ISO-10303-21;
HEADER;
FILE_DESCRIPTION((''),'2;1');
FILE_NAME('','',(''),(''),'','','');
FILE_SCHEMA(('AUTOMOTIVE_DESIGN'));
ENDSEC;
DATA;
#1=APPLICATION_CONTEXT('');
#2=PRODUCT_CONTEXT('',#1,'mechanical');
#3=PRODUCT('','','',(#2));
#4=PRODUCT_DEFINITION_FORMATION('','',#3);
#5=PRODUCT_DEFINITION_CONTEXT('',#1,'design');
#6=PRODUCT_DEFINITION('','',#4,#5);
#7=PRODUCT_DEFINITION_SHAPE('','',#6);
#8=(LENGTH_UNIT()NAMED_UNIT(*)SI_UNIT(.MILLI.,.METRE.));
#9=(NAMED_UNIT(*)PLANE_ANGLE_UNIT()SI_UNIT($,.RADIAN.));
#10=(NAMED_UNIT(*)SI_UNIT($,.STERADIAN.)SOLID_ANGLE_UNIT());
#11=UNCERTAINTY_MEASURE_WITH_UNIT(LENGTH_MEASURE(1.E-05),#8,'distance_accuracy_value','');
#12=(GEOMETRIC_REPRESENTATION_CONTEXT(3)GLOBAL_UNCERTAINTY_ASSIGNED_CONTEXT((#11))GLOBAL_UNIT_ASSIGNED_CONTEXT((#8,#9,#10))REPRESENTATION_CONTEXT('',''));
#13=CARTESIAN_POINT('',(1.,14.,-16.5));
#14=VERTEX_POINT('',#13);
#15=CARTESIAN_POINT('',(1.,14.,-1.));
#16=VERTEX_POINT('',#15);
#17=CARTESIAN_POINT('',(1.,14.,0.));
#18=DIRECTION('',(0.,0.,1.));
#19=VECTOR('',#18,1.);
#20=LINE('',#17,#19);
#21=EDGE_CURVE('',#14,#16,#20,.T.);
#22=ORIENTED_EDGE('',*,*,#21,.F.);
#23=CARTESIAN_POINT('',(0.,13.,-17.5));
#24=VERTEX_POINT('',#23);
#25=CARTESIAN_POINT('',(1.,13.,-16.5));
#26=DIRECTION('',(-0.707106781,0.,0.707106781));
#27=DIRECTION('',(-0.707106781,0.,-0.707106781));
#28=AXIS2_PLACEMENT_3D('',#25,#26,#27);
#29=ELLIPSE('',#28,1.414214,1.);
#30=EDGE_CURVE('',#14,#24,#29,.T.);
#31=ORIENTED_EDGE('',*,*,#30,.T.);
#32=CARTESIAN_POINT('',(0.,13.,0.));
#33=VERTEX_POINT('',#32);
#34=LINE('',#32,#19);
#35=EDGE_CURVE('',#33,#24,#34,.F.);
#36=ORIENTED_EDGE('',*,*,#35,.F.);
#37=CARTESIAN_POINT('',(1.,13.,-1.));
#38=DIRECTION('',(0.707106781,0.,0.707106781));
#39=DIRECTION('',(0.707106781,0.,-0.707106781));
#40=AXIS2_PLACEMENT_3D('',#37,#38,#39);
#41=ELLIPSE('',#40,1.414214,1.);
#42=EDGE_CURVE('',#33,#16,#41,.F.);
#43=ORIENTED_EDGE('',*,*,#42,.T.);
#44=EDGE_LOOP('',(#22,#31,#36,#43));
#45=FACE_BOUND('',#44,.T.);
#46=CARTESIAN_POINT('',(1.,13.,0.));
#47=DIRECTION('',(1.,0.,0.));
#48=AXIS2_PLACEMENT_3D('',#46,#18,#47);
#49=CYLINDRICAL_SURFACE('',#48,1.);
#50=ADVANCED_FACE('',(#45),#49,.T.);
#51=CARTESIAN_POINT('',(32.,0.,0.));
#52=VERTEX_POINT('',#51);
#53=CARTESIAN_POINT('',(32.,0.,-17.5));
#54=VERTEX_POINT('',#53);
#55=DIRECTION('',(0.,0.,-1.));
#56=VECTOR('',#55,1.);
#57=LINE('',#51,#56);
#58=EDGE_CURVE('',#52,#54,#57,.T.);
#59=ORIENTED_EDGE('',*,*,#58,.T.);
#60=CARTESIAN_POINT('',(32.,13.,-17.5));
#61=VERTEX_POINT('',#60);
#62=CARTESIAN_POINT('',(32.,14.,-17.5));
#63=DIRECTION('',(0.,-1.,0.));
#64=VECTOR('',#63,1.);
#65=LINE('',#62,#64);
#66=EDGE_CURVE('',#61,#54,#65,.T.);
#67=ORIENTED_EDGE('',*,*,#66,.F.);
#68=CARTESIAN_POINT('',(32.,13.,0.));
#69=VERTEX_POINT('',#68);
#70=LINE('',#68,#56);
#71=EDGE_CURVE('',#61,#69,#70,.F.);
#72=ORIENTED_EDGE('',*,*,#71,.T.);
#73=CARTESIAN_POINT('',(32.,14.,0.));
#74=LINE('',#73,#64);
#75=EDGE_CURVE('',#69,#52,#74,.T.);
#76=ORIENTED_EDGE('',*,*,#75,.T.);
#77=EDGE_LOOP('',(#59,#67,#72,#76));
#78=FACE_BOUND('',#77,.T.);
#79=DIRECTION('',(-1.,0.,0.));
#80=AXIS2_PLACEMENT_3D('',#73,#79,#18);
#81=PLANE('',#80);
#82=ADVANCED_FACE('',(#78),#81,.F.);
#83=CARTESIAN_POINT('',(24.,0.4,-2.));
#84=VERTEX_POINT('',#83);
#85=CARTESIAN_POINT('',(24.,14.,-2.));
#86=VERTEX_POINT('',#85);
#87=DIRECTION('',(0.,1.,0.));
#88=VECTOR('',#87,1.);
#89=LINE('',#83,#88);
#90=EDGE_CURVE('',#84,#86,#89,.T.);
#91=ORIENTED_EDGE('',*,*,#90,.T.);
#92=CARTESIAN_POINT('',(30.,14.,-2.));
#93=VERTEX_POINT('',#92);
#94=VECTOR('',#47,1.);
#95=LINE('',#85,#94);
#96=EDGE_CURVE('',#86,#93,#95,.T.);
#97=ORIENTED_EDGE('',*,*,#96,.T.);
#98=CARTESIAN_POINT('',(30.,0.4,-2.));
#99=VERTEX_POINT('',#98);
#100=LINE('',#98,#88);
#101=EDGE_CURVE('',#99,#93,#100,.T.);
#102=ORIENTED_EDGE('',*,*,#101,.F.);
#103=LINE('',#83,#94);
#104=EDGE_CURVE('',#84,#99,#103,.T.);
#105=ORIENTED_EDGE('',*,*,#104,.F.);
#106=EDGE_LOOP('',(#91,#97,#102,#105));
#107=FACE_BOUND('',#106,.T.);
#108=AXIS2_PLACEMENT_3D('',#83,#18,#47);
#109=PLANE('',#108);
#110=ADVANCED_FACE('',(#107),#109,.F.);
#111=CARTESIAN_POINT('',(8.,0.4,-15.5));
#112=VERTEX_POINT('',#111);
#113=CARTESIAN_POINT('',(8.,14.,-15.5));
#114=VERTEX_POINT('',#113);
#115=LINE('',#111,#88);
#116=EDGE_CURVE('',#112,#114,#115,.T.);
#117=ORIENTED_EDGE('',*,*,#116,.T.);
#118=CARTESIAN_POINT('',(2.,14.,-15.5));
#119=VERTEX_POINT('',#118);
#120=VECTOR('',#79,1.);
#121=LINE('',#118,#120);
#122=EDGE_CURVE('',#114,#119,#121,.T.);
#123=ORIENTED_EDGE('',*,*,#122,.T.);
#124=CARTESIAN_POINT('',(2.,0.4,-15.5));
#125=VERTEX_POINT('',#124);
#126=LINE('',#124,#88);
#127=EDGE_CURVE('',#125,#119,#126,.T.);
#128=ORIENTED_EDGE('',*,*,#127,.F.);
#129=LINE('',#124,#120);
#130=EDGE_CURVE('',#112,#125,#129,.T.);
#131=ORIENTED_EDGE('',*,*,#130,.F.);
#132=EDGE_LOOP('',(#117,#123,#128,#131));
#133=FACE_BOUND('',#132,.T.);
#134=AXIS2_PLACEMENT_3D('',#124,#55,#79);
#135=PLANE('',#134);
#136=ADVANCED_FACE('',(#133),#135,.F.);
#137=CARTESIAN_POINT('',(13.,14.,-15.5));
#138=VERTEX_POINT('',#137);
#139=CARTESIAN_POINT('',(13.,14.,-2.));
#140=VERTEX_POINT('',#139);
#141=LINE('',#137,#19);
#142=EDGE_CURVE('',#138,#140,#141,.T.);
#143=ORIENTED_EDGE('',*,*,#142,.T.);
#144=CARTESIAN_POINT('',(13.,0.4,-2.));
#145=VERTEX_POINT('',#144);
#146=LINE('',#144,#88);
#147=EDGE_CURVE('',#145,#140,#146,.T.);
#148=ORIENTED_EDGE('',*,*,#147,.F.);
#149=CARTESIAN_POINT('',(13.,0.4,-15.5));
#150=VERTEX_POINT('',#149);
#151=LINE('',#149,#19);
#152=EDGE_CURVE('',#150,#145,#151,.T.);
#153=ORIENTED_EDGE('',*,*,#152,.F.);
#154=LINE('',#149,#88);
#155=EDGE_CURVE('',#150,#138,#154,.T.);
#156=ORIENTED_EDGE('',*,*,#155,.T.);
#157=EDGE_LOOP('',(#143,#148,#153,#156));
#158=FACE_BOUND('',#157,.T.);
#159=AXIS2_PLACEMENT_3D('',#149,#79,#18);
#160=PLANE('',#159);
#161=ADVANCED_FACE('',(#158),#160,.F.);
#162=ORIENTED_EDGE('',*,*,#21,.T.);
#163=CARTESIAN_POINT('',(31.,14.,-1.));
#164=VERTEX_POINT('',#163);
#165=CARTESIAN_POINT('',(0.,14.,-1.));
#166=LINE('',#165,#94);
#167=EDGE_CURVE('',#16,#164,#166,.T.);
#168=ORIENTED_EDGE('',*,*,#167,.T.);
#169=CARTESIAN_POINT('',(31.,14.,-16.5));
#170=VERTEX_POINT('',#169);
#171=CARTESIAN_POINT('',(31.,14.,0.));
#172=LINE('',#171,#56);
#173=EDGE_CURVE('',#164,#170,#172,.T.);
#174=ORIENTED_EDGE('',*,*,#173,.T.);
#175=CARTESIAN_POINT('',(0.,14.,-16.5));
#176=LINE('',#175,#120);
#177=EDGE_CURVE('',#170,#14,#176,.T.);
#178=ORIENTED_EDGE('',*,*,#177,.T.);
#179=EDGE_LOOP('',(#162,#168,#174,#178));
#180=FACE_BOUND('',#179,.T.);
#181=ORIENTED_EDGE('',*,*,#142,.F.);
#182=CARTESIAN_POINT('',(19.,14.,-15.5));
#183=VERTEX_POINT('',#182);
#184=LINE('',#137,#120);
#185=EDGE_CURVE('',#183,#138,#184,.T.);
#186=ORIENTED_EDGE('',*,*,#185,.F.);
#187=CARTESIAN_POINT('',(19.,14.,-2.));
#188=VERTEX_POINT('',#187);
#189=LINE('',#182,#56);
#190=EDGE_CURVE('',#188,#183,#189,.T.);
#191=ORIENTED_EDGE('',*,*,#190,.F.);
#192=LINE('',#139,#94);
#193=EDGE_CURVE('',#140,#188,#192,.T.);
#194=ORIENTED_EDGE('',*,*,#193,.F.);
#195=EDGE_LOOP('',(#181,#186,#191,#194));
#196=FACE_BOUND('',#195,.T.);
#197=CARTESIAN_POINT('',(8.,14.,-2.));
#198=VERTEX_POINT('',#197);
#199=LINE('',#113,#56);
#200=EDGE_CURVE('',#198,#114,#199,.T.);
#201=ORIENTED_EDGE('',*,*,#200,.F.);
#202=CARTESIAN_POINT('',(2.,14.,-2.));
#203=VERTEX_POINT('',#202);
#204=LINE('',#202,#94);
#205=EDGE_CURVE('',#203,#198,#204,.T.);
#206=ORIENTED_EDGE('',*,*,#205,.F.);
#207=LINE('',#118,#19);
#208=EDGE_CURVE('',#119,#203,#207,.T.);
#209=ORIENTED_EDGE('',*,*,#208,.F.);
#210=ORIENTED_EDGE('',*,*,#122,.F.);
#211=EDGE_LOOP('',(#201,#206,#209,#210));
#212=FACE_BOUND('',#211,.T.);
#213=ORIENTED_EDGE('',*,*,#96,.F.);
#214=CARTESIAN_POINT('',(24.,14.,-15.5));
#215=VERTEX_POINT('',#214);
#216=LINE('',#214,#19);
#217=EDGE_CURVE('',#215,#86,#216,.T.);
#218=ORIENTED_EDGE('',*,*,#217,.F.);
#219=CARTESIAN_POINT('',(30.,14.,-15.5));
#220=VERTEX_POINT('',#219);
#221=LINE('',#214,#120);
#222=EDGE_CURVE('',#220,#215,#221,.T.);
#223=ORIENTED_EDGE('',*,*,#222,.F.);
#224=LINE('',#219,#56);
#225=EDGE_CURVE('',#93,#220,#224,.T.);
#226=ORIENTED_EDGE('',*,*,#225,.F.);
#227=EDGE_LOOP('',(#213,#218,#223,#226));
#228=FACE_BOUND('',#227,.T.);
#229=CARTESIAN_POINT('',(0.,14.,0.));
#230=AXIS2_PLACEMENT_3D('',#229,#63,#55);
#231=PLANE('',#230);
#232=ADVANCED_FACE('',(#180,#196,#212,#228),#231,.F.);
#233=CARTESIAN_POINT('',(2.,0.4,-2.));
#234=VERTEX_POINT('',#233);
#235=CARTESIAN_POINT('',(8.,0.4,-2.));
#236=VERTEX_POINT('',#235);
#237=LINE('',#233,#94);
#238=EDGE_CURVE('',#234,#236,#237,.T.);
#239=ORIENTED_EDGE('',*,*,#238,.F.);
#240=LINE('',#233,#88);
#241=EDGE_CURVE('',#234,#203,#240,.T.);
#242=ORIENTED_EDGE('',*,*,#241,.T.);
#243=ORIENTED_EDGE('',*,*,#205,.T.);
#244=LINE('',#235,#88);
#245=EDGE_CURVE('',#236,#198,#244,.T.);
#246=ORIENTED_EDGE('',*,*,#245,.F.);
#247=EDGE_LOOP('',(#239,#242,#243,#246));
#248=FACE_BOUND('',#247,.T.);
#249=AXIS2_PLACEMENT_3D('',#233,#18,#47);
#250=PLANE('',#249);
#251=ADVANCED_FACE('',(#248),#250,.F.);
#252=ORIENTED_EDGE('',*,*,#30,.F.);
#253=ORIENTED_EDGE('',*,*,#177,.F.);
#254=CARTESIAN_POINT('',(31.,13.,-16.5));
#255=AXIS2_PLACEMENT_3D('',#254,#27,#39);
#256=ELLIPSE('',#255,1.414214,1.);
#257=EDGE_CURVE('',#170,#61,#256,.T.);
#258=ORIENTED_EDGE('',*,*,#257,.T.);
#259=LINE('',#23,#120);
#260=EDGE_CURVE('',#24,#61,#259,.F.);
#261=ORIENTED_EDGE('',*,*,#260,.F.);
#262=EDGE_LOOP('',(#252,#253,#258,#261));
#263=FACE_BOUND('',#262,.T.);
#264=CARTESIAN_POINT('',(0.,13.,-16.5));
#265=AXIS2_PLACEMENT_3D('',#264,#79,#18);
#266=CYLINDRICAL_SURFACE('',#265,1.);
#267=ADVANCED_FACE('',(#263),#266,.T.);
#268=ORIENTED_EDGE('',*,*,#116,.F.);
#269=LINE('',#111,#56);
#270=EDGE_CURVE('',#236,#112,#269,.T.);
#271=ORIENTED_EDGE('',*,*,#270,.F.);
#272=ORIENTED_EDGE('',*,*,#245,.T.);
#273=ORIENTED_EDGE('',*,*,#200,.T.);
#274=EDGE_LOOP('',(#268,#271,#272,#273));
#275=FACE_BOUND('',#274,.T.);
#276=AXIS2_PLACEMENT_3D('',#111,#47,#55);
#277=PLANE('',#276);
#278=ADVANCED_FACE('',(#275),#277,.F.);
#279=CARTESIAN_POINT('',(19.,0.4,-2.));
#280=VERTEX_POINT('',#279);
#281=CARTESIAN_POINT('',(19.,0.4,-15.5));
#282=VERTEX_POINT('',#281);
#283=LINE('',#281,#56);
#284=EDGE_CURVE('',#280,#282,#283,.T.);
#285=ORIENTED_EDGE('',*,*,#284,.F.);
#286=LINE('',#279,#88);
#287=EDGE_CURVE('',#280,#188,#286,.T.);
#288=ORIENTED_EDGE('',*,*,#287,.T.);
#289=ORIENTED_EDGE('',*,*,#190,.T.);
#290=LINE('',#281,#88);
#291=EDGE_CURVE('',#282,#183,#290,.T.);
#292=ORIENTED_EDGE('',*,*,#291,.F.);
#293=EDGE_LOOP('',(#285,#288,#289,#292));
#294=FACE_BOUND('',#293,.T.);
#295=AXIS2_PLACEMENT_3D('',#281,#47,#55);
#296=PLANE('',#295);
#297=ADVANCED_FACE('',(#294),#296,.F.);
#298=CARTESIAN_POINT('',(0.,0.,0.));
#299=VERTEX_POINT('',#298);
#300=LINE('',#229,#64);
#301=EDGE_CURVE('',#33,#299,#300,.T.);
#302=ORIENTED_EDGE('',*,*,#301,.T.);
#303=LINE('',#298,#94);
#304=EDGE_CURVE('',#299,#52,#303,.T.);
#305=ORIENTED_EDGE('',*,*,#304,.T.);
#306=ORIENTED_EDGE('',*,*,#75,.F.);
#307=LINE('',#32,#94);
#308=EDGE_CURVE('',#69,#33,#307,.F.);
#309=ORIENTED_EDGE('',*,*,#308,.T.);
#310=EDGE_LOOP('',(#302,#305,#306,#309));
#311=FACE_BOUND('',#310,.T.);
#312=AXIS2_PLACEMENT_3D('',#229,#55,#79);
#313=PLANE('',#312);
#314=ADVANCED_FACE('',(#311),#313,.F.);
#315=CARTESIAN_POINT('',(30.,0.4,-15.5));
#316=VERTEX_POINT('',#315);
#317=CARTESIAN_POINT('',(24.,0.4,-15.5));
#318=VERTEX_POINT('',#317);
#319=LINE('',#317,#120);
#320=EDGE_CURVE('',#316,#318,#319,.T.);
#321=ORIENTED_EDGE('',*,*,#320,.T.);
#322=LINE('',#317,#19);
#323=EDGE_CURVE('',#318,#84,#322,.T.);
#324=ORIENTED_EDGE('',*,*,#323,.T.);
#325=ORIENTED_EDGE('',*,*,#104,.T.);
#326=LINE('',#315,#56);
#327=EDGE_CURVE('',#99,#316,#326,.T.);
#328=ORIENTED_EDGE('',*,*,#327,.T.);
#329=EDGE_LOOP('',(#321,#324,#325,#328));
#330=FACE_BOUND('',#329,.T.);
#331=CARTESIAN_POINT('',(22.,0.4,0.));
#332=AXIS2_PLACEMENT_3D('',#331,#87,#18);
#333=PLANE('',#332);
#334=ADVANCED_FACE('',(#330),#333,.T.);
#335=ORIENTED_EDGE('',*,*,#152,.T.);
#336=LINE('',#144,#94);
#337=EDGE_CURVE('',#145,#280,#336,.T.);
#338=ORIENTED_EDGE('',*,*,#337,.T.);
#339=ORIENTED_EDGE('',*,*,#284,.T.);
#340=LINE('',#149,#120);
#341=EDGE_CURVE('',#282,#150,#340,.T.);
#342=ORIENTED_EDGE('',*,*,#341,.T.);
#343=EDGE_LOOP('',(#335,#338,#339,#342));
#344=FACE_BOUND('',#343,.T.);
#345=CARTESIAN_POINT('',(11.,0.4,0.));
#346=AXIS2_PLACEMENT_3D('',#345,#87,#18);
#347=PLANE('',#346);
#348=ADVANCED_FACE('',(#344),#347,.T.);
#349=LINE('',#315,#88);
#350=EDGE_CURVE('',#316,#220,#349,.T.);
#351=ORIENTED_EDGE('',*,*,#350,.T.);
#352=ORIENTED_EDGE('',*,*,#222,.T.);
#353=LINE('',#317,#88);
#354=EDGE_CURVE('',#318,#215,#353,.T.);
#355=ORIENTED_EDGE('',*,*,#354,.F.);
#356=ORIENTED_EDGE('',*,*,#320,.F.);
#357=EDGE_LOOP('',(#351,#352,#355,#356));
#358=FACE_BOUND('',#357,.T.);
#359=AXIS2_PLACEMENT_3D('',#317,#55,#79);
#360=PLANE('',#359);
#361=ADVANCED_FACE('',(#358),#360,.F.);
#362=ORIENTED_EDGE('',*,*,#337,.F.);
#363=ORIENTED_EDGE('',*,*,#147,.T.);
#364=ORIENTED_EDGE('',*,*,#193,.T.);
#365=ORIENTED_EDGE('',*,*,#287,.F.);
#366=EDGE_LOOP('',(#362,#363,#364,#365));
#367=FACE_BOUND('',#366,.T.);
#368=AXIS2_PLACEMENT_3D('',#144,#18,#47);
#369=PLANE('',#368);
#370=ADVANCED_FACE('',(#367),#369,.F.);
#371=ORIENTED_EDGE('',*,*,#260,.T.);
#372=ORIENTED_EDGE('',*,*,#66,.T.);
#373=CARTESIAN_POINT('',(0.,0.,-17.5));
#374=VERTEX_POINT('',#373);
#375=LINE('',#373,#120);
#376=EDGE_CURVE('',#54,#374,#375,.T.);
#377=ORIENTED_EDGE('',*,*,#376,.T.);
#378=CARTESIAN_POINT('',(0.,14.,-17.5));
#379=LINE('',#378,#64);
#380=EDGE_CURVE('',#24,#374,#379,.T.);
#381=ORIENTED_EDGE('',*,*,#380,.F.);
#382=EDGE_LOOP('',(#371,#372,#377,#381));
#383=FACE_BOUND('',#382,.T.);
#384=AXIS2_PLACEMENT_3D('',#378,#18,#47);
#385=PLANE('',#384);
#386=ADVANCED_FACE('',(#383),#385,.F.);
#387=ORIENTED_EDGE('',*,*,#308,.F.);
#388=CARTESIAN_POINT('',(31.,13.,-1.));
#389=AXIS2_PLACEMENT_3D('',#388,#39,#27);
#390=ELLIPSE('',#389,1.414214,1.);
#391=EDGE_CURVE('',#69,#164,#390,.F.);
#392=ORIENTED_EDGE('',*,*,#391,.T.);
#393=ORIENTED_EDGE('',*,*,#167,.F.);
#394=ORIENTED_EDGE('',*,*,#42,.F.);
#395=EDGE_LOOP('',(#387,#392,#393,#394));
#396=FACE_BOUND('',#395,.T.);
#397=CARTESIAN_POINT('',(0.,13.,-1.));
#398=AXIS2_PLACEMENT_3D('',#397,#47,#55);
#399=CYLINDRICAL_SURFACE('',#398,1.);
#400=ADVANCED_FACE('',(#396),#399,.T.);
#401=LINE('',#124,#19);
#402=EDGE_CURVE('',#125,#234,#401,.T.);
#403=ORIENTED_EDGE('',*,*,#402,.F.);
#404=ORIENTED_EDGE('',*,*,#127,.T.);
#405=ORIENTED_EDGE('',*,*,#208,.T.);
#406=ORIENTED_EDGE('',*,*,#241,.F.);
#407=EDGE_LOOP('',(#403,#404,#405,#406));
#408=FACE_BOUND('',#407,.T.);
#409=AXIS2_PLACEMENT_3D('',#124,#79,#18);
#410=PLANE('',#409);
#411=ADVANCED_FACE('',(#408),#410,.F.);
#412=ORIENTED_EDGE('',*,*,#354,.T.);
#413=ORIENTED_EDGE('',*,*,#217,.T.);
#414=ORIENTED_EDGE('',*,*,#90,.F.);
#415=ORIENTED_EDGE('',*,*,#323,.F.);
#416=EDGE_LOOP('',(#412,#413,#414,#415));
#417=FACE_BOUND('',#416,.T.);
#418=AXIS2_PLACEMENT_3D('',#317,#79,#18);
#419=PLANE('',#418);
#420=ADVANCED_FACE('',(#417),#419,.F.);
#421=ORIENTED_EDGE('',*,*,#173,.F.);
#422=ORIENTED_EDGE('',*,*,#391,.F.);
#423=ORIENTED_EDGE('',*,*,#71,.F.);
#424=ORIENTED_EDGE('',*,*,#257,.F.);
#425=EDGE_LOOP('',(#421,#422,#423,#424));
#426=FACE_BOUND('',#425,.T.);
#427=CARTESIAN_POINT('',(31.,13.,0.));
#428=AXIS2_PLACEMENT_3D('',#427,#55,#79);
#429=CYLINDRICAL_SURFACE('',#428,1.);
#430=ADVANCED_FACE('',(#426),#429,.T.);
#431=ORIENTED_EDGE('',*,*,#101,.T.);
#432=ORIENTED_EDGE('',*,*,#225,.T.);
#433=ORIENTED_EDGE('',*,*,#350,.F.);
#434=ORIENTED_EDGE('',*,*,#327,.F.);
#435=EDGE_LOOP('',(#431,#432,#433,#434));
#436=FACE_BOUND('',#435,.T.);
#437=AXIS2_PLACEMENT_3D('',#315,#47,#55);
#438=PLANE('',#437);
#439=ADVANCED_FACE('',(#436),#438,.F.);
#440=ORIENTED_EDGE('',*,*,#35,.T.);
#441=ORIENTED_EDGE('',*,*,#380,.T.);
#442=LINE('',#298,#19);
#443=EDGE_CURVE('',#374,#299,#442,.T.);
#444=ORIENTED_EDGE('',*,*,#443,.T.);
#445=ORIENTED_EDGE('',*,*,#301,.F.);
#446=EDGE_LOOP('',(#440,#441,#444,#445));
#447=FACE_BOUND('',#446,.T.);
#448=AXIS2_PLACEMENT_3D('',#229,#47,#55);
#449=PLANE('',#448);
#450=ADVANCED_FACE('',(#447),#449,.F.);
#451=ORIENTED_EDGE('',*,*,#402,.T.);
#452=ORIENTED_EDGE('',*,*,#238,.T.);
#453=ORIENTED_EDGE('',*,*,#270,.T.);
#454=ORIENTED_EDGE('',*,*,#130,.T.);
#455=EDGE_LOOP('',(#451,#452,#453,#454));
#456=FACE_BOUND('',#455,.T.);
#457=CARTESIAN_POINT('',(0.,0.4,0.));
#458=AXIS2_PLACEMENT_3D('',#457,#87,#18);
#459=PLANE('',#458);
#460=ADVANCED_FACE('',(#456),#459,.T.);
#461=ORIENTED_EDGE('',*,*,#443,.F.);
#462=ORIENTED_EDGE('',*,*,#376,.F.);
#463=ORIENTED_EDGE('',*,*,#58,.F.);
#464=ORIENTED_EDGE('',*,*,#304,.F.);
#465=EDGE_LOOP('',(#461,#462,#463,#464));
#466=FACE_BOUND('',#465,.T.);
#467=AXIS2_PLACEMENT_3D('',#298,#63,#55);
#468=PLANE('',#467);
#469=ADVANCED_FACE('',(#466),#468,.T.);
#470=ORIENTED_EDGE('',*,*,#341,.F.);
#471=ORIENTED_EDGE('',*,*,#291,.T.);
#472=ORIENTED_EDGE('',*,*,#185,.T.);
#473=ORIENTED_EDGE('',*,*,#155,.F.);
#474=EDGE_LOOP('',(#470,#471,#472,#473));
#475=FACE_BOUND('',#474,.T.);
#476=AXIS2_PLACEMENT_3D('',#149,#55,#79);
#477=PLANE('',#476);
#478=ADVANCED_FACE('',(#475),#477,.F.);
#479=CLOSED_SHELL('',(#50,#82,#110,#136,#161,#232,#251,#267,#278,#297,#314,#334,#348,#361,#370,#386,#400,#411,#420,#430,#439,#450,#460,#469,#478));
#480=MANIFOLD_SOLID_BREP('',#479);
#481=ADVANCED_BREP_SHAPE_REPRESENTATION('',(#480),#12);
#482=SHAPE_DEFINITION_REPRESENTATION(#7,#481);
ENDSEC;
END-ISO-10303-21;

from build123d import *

# Parameters (mm, degrees)
SKETCH1_W           = 32
SKETCH1_H           = 17.5
BOSS_EXTRUDE1_DEPTH = 14
SKETCH2_W           = 6
SKETCH2_H           = 13.5
CUT_EXTRUDE1_DEPTH  = 13.6
LPATTERN1_COUNT     = 3
LPATTERN1_PITCH     = 11
FILLET1_R           = 1


with BuildPart() as part:
    # Sketch1 → Boss-Extrude1 (new body)
    with BuildSketch(Plane(origin=(0, 0, 0), x_dir=(1, 0, 0), z_dir=(0, 1, 0))):
        with Locations((16, 8.75)):
            Rectangle(SKETCH1_W, SKETCH1_H)
    extrude(amount=BOSS_EXTRUDE1_DEPTH)

    # Sketch2 → Cut-Extrude1 (cut)
    with BuildSketch(Plane(origin=(0, 14, 0), x_dir=(1, 0, 0), z_dir=(0, 1, 0))):
        with Locations((5, 8.75)):
            Rectangle(SKETCH2_W, SKETCH2_H)
    cut_extrude1 = extrude(amount=-CUT_EXTRUDE1_DEPTH, mode=Mode.SUBTRACT)

    # LPattern1: Cut-Extrude1 ×3
    with Locations(*[(i * LPATTERN1_PITCH, 0, 0) for i in range(1, LPATTERN1_COUNT)]):
        add(cut_extrude1, mode=Mode.SUBTRACT)

    # Fillet1
    fillet1_edges = [part.edges().sort_by_distance(p)[0] for p in [
        (32, 14, -8.75),
        (16, 14, -17.5),
        (0, 14, -8.75),
        (16, 14, 0),
    ]]
    fillet(fillet1_edges, radius=FILLET1_R)


solid = part.part
